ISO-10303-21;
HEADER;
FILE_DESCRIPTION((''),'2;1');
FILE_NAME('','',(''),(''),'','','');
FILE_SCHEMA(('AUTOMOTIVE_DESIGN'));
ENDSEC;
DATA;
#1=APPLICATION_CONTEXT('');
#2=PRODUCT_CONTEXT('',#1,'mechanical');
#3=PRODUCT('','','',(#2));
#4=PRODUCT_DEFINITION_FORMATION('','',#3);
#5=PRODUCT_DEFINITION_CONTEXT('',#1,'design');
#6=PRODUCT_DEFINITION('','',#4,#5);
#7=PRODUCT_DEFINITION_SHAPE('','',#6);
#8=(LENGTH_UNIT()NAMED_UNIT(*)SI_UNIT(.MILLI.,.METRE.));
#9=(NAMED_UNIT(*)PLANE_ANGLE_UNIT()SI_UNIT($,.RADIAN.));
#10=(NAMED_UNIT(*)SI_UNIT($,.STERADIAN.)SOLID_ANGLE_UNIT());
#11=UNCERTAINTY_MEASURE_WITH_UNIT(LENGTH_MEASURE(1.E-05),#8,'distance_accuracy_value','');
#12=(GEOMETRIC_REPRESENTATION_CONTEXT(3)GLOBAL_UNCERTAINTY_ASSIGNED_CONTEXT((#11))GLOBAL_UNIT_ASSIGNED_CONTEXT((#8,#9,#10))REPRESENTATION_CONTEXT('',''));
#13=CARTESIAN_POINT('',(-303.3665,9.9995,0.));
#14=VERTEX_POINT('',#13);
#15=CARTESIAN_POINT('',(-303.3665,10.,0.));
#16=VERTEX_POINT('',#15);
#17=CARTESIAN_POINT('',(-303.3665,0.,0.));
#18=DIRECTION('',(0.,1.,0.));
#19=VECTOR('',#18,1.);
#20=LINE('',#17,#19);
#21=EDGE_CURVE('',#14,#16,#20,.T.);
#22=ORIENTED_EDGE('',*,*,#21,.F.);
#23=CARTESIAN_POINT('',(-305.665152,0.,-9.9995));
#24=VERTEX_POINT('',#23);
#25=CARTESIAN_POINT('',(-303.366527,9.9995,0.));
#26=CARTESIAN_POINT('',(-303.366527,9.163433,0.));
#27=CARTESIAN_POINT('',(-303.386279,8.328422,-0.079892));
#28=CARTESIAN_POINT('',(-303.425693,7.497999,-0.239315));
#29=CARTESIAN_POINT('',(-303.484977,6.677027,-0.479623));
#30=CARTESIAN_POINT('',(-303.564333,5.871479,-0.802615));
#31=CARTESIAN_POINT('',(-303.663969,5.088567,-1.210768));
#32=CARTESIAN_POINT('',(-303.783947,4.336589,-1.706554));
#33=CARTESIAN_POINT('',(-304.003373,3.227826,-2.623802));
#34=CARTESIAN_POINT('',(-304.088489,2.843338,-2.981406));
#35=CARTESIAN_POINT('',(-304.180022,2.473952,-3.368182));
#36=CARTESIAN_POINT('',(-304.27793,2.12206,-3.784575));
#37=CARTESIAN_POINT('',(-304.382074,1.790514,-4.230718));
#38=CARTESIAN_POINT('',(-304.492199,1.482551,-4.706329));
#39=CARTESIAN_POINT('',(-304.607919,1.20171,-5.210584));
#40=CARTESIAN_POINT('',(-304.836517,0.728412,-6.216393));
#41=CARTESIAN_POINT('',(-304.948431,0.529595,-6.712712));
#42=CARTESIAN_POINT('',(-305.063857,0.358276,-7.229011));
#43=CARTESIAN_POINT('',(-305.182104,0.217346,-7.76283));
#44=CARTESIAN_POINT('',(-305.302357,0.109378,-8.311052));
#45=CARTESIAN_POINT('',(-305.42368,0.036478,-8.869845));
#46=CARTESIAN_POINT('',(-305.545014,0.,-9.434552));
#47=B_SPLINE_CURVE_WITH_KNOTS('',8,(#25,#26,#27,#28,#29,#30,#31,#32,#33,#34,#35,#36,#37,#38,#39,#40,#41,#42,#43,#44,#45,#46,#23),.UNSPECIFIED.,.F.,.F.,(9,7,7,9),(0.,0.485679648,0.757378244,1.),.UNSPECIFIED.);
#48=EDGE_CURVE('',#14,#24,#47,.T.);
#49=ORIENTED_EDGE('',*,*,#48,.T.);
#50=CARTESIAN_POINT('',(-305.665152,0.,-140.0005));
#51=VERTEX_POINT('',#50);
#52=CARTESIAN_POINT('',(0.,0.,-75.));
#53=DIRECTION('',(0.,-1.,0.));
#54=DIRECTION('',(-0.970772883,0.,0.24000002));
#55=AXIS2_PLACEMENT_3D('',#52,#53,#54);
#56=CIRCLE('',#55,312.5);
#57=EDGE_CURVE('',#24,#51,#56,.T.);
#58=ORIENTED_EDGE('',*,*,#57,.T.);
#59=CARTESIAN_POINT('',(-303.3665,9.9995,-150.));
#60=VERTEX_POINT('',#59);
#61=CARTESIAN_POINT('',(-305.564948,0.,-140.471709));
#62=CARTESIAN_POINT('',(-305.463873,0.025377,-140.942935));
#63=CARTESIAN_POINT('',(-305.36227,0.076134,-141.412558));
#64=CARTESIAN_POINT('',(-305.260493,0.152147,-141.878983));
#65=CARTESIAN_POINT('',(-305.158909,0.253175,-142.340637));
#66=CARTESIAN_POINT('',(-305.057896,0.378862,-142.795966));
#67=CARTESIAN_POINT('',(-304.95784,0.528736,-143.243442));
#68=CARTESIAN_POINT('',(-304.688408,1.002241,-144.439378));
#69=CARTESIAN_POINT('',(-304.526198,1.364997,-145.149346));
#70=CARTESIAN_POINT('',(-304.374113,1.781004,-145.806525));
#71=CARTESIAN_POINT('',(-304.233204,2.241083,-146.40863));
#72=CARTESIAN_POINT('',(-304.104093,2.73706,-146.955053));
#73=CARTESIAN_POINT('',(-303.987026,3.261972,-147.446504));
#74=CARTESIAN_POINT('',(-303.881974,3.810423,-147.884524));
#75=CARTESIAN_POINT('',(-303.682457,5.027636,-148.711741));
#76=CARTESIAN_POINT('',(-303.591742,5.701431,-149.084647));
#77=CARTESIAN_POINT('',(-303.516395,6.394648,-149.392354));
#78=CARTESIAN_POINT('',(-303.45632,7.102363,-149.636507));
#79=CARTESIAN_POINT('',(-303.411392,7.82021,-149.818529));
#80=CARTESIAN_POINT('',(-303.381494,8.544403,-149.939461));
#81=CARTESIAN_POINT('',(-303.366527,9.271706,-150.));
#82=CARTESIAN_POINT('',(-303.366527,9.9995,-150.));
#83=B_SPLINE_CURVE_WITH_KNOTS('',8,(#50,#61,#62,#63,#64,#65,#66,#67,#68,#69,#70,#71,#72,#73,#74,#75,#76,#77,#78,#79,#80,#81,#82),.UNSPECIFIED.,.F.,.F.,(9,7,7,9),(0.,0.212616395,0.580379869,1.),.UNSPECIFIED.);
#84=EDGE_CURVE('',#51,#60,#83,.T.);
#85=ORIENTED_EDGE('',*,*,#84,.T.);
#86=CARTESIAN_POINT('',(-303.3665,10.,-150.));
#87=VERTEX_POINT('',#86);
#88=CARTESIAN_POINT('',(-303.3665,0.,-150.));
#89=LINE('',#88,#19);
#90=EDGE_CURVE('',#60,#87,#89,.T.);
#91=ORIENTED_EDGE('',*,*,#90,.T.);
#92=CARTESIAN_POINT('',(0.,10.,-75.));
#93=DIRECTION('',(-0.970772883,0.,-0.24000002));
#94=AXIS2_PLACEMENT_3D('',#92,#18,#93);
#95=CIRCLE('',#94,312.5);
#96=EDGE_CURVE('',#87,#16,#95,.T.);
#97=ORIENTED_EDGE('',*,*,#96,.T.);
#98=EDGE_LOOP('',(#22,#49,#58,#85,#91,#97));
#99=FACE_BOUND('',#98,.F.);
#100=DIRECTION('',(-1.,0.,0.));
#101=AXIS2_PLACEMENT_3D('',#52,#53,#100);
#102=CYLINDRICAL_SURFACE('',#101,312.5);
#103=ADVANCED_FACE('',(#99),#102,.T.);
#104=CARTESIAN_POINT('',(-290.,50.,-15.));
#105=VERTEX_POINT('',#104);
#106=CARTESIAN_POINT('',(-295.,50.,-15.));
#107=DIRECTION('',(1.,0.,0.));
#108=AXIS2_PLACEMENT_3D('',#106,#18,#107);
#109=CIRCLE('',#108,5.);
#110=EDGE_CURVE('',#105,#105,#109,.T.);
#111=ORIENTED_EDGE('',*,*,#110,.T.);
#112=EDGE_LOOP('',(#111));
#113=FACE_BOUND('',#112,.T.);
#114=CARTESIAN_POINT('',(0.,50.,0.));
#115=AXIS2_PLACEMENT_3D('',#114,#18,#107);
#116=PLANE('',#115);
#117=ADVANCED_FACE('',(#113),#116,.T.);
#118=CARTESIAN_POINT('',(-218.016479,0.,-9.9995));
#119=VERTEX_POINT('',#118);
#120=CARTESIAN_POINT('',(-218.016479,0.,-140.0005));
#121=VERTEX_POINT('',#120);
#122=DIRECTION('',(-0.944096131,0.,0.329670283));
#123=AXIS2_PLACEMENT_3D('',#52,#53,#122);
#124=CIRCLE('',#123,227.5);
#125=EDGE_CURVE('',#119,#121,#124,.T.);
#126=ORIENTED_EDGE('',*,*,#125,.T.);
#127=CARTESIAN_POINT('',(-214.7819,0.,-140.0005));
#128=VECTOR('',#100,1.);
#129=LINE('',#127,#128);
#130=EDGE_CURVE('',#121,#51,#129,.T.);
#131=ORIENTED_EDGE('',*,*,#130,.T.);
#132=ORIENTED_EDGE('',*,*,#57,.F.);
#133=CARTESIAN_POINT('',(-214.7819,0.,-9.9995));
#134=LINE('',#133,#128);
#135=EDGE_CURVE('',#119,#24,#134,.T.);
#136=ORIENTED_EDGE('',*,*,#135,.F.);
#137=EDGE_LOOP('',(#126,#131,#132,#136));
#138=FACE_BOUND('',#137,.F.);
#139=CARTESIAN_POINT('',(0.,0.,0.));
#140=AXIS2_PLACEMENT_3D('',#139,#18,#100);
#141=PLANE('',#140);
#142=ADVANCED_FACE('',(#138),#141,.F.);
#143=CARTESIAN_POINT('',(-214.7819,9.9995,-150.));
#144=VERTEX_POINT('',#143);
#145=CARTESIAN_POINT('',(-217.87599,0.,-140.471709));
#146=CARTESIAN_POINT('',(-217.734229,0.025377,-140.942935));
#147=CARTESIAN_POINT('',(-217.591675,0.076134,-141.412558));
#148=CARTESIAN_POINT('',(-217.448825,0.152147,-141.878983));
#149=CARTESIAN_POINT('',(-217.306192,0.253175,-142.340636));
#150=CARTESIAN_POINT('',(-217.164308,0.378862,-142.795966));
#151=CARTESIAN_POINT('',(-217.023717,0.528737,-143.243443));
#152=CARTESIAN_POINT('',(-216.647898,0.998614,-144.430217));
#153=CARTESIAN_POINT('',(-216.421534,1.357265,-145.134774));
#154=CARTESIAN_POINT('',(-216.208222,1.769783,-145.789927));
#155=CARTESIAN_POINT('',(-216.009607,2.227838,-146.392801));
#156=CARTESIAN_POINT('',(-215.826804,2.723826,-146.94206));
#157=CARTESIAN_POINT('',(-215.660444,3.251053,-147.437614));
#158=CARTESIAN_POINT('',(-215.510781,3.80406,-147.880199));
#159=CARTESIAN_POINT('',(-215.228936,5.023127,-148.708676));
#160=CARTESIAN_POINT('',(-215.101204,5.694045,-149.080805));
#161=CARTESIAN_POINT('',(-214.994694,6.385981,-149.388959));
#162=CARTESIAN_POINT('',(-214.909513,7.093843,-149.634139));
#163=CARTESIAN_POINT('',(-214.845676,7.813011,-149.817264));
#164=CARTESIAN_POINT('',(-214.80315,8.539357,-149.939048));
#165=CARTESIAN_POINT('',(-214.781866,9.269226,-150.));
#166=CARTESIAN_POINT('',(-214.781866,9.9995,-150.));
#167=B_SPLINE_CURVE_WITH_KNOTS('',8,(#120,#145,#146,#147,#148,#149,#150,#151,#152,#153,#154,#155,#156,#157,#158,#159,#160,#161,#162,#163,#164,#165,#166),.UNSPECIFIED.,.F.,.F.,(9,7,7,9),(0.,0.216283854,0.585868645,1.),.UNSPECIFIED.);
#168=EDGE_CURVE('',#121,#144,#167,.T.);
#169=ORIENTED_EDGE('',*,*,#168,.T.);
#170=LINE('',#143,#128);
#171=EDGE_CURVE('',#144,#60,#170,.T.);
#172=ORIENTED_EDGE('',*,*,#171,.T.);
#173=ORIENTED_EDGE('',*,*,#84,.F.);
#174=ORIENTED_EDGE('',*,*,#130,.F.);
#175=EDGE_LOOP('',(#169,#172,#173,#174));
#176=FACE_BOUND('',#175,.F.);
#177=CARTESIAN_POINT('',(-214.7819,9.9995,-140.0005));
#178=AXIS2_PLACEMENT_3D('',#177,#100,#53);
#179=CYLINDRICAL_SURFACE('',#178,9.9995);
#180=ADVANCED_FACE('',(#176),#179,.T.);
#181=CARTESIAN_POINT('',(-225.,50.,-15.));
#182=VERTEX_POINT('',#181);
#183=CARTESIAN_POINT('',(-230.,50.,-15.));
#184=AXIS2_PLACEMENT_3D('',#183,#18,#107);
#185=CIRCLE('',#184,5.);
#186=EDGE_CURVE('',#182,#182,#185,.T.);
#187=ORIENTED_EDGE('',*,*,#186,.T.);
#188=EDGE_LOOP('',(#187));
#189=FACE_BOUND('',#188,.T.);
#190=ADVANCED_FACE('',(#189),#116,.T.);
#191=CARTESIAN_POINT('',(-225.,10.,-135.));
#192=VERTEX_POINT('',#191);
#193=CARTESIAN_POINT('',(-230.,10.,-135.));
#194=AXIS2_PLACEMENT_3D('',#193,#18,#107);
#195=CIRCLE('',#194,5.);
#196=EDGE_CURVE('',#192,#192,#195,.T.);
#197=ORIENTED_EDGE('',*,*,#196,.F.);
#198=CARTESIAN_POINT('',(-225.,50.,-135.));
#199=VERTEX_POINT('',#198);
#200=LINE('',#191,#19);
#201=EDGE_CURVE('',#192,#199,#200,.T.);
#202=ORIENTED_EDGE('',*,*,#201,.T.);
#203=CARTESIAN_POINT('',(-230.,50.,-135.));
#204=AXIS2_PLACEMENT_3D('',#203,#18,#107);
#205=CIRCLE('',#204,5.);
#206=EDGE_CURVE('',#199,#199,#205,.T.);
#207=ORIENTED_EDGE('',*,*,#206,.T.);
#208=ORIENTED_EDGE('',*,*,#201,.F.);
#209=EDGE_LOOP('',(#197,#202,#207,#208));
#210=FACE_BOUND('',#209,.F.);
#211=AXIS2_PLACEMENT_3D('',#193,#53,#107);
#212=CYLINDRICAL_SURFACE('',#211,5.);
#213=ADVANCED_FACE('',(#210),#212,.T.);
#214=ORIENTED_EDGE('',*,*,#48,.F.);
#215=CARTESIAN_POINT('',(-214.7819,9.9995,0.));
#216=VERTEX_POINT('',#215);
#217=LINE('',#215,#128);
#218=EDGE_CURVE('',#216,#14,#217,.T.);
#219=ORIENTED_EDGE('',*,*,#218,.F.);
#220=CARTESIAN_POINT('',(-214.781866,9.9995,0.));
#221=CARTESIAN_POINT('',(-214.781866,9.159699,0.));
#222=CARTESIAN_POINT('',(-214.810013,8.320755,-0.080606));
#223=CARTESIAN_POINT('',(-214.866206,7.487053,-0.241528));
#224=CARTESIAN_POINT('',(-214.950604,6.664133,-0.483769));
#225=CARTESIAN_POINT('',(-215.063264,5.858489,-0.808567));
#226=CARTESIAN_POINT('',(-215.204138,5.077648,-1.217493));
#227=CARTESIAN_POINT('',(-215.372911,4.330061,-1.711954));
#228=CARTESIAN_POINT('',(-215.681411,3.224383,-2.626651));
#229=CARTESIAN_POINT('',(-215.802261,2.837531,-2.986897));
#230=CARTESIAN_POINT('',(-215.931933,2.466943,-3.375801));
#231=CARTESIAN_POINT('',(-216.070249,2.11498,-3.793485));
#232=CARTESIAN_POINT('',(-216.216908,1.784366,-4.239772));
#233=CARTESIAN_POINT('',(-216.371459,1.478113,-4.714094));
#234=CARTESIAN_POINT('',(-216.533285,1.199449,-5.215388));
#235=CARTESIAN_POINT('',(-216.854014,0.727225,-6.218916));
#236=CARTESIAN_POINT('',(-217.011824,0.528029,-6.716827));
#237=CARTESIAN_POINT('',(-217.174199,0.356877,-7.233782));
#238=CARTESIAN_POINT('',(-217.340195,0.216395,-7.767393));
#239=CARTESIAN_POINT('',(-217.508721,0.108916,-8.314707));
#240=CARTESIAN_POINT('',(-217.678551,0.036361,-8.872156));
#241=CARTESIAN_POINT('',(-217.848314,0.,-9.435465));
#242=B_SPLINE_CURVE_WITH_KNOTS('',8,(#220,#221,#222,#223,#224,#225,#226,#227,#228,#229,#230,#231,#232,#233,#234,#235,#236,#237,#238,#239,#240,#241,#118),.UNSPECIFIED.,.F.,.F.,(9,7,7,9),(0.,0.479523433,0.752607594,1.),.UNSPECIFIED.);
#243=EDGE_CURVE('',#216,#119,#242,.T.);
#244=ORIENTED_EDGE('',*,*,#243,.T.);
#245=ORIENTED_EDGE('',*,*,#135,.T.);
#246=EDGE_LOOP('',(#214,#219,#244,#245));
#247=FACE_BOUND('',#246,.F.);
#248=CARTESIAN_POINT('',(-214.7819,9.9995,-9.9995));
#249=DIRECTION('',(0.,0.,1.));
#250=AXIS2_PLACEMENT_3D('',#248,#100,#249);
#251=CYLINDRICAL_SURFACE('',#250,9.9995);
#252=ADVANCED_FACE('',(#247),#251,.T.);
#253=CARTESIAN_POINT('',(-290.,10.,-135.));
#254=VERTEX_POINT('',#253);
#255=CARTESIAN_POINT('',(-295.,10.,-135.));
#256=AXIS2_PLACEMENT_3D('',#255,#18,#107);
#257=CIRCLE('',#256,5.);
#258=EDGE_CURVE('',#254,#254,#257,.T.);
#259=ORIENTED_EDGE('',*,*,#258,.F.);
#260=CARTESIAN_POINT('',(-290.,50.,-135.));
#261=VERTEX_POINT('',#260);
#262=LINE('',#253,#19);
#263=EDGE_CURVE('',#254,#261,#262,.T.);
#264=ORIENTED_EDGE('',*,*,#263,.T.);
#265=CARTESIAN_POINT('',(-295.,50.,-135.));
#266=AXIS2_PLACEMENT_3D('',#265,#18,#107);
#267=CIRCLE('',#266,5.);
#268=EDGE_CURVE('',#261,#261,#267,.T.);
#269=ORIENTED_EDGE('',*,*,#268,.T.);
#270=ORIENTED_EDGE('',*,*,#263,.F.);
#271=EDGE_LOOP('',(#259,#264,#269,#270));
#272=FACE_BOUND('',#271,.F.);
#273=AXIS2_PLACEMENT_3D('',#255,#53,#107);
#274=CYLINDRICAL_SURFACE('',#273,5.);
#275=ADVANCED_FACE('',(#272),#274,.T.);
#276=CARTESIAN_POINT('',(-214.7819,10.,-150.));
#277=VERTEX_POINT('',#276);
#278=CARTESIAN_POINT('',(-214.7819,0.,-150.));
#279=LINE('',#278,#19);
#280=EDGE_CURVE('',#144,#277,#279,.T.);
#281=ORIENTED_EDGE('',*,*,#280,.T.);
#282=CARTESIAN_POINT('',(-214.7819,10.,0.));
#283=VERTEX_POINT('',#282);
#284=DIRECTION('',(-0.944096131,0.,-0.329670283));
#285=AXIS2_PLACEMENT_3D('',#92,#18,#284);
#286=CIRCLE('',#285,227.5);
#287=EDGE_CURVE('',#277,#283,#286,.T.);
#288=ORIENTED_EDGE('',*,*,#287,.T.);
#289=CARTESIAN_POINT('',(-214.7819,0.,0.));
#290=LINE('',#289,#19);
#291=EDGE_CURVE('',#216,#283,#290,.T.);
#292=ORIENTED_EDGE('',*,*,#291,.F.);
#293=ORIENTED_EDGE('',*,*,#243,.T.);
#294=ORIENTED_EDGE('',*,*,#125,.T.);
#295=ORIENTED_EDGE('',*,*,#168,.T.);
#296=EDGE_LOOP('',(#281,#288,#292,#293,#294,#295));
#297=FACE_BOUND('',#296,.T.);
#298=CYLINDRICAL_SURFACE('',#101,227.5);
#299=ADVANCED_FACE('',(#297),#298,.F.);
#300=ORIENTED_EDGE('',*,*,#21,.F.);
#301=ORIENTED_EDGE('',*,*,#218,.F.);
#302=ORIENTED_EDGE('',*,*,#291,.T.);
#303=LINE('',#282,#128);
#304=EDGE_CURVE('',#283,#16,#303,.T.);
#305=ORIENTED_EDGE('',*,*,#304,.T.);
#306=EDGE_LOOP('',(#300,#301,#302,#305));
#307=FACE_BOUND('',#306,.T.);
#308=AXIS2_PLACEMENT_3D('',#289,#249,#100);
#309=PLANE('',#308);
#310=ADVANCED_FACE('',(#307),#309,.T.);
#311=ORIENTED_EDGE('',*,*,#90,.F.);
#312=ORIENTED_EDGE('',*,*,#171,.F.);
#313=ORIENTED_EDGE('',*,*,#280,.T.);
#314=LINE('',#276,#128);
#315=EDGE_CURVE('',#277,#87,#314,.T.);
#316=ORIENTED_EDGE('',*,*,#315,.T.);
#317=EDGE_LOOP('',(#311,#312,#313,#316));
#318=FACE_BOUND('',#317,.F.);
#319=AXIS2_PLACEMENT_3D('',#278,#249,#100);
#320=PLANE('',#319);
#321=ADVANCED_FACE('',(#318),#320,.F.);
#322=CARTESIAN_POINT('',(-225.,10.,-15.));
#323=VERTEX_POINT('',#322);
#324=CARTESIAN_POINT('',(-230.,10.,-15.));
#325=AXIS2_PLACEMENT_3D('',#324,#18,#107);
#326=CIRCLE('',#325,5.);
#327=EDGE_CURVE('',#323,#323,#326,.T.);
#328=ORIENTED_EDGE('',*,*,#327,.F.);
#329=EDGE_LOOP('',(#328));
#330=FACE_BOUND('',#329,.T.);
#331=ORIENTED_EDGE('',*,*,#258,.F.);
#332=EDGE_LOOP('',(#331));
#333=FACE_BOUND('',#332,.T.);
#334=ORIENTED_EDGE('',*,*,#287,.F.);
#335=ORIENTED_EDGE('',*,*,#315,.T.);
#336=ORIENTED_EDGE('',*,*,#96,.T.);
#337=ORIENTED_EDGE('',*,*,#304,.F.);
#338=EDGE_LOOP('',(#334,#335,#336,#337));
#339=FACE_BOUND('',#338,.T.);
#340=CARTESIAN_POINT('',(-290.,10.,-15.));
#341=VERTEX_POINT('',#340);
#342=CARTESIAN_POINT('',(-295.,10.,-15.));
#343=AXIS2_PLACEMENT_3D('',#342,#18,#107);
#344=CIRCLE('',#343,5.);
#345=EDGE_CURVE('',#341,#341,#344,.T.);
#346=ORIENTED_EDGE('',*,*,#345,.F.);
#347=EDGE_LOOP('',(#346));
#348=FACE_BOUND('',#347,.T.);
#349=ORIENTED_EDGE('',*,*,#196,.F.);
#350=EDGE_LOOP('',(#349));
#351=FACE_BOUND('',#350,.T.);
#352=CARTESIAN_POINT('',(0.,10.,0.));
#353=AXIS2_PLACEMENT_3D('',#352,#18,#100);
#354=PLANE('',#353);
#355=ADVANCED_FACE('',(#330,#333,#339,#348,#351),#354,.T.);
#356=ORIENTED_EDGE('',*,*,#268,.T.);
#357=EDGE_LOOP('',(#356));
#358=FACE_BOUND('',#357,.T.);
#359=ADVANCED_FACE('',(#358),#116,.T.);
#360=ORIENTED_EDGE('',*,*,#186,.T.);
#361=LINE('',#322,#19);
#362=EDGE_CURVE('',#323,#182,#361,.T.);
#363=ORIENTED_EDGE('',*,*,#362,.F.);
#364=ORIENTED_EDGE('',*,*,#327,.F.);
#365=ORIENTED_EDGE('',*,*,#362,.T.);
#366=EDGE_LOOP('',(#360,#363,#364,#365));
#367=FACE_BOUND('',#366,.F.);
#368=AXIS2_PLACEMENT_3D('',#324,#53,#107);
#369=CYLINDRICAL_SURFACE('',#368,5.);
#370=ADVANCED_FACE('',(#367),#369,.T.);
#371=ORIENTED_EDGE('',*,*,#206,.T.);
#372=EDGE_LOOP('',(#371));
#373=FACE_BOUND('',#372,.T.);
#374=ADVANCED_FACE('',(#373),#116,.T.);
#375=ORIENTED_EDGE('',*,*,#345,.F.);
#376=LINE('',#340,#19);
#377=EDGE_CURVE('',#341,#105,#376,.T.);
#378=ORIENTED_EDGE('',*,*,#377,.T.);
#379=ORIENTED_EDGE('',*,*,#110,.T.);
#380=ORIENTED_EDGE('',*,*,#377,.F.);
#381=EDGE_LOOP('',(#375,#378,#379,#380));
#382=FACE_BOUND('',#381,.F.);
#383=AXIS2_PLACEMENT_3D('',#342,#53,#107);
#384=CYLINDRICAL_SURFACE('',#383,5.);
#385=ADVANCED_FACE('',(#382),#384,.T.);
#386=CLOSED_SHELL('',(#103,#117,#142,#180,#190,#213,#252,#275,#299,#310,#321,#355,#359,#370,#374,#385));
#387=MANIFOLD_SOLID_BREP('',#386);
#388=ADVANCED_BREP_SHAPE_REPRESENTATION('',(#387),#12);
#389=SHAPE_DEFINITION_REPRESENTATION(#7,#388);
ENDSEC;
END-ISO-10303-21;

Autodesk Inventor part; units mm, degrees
ref_plane "YZ Plane" through (0, 0, 0) normal (1, 0, 0) x (0, 1, 0)
ref_plane "XZ Plane" through (0, 0, 0) normal (0, 1, 0) x (-1, 0, 0)
ref_plane "XY Plane" through (0, 0, 0) normal (0, 0, 1) x (1, 0, 0)
sketch "Sketch1" plane through (0, 0, 0) normal (0, 1, 0) x (-1, 0, 0)
  circle A0 centre (0, -75) radius 227.5
  circle A1 centre (0, -75) radius 312.5
  line L0 (214.7819, -150) -> (303.3665, -150)
  line L1 (214.7819, 0) -> (303.3665, 0)
  line L2 (437.5, 0) -> (-437.5, 0) projected
  line L3 (259.0742, 0) -> (259.0742, -150) construction
  line L4 (0, 0) -> (0, -75)
  dimension "d0" = 455
  dimension "d1" = 625
  dimension "d4" = 150
  dimension "d5" = 75
extrude "Extrusion1" add sketch "Sketch1" along normal blind 10 contours A0 L1 A1 L0
sketch "Sketch2" plane through (0, 10, 0) normal (0, 1, 0) x (1, 0, 0)
  arc A0 (-214.7819, 150) -> (-214.7819, 0) centre (0, 75) ccw projected
  line L0 (-214.7819, 150) -> (-303.3665, 150) projected
  arc A1 (-303.3665, 150) -> (-303.3665, 0) centre (0, 75) ccw projected
  line L1 (-303.3665, 0) -> (-214.7819, 0) projected
  line L2 (-227.5, 75) -> (-312.5, 75) construction
  line L3 (-270, 75) -> (-270, 150) construction
  line L4 (-270, 75) -> (-270, 0) construction
  line L5 (-295, 25) -> (-245, 25)
  line L6 (-245, 25) -> (-245, 125)
  line L7 (-245, 125) -> (-295, 125)
  line L8 (-295, 125) -> (-295, 25)
  line L9 (-295, 75) -> (-245, 75) construction
  line L10 (-270, 25) -> (-270, 125) construction
  line L11 (-295, 25) -> (-295, 15) construction
  line L12 (-245, 25) -> (-245, 15) construction
  line L13 (-245, 25) -> (-235, 25) construction
  line L14 (-245, 15) -> (-230, 15) construction
  line L15 (-245, 125) -> (-245, 135) construction
  line L16 (-245, 135) -> (-230, 135) construction
  line L17 (-295, 125) -> (-295, 135) construction
  circle A2 centre (-295, 15) radius 5
  circle A3 centre (-230, 15) radius 5
  circle A4 centre (-230, 135) radius 5
  circle A5 centre (-295, 135) radius 5
  point P0 (0, 0)
  dimension "d8" = 50
  dimension "d9" = 100
  dimension "d10" = 10
  dimension "d11" = 10
  dimension "d12" = 90
  dimension "d13" = 15
  dimension "d14" = 10
  dimension "d15" = 15
  dimension "d16" = 90
  dimension "d17" = 10
  dimension "d18" = 10
  dimension "d19" = 10
  dimension "d20" = 10
  dimension "d21" = 10
extrude "Extrusion2" add sketch "Sketch2" along normal blind 40 contours A2 | A3 | A4 | A5
fillet "Fillet1" radius 10 2 edges at (-259.0742, 0, 0) (-259.0742, 0, -150)
properties part number "Battery Cage Spring Plate Second Iteration" material "PLA 33 Plastic"
